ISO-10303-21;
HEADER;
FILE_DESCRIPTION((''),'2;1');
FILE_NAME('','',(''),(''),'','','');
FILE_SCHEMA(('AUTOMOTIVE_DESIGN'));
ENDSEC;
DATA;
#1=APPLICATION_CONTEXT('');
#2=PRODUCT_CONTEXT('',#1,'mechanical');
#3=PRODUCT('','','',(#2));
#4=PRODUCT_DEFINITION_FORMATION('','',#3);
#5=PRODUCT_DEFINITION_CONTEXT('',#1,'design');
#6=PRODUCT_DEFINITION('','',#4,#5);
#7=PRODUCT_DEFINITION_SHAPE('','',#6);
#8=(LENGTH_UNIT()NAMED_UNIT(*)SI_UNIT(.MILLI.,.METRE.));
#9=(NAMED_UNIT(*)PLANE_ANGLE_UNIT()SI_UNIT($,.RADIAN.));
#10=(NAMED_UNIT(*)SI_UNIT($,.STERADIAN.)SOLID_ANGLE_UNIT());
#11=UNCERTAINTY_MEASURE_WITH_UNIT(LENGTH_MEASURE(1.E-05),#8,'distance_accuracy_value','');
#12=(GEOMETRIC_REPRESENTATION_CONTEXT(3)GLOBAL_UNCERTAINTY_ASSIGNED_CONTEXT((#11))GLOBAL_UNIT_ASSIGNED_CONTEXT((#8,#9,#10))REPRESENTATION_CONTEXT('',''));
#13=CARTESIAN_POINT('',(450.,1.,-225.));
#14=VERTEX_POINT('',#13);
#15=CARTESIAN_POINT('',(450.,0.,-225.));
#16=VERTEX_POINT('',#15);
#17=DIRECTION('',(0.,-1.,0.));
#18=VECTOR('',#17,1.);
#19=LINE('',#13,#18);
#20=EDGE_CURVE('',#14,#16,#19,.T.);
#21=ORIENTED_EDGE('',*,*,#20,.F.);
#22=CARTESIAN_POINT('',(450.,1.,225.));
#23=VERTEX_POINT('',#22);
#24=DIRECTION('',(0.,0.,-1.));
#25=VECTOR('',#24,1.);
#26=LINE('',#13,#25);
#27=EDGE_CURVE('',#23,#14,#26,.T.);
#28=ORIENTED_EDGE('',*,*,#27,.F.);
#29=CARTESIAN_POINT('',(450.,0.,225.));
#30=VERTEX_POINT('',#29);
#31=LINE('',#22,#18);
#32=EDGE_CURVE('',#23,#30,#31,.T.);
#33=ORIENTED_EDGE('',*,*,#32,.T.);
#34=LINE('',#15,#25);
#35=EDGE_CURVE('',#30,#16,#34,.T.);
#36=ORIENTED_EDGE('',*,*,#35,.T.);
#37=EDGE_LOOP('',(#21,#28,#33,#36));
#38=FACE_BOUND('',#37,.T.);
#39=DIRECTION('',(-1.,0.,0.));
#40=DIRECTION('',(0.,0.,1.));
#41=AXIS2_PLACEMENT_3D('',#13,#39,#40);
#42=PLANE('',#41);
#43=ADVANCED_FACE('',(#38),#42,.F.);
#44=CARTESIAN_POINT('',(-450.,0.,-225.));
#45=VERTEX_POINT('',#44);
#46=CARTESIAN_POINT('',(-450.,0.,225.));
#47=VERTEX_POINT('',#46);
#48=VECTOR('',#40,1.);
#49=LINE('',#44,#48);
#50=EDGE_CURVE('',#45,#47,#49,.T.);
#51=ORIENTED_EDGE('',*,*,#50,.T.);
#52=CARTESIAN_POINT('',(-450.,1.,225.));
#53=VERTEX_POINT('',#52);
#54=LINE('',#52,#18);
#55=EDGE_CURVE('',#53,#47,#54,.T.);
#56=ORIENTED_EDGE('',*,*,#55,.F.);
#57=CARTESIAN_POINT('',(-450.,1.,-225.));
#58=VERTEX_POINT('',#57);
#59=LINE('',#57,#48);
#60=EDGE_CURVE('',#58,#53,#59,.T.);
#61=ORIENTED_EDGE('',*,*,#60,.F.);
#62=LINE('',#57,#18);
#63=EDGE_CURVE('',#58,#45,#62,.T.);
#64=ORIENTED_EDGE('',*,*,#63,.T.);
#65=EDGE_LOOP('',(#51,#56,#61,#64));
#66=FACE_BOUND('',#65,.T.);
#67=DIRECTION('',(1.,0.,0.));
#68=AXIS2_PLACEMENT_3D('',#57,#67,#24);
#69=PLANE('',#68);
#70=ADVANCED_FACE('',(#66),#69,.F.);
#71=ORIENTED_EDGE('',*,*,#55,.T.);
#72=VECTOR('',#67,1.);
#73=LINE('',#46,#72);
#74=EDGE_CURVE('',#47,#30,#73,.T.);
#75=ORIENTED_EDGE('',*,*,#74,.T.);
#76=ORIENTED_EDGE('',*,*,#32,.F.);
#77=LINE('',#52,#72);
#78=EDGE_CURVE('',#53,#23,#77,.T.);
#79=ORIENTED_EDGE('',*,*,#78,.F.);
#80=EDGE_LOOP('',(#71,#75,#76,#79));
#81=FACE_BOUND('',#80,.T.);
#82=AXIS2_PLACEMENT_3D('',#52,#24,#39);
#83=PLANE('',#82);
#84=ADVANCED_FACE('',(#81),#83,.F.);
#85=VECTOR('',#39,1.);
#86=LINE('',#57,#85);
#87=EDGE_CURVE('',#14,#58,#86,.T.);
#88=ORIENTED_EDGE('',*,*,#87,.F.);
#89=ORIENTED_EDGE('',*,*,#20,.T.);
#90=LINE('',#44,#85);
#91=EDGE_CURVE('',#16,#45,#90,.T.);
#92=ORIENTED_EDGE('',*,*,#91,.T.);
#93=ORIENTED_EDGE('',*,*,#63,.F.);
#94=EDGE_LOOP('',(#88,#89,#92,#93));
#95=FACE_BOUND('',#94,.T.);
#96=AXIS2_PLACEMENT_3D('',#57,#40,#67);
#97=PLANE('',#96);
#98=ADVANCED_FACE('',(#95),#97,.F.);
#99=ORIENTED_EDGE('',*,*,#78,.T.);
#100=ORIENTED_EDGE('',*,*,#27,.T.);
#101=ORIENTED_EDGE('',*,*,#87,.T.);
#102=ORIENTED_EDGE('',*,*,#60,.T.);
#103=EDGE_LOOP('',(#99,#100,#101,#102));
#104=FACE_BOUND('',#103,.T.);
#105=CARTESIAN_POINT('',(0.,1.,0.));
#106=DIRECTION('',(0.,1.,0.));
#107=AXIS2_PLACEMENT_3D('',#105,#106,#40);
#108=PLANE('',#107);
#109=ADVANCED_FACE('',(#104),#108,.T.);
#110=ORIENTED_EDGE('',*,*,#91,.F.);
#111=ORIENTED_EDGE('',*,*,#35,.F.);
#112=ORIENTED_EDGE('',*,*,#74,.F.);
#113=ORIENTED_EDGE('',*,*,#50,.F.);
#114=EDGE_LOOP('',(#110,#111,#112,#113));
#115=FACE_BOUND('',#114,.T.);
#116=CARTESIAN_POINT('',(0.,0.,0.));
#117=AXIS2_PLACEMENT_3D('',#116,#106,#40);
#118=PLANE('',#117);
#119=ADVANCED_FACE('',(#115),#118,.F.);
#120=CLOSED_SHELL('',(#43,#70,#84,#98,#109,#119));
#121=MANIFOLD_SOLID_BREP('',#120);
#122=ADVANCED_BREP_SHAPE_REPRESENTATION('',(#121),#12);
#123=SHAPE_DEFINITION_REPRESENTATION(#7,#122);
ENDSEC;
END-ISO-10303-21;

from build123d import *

# Parameters (mm, degrees)
SKETCH1_W           = 900
SKETCH1_H           = 450
BOSS_EXTRUDE1_DEPTH = 1


with BuildPart() as part:
    # Sketch1 → Boss-Extrude1 (new body)
    with BuildSketch(Plane(origin=(0, 0, 0), x_dir=(1, 0, 0), z_dir=(0, 1, 0))):
        Rectangle(SKETCH1_W, SKETCH1_H)
    extrude(amount=BOSS_EXTRUDE1_DEPTH)


solid = part.part
